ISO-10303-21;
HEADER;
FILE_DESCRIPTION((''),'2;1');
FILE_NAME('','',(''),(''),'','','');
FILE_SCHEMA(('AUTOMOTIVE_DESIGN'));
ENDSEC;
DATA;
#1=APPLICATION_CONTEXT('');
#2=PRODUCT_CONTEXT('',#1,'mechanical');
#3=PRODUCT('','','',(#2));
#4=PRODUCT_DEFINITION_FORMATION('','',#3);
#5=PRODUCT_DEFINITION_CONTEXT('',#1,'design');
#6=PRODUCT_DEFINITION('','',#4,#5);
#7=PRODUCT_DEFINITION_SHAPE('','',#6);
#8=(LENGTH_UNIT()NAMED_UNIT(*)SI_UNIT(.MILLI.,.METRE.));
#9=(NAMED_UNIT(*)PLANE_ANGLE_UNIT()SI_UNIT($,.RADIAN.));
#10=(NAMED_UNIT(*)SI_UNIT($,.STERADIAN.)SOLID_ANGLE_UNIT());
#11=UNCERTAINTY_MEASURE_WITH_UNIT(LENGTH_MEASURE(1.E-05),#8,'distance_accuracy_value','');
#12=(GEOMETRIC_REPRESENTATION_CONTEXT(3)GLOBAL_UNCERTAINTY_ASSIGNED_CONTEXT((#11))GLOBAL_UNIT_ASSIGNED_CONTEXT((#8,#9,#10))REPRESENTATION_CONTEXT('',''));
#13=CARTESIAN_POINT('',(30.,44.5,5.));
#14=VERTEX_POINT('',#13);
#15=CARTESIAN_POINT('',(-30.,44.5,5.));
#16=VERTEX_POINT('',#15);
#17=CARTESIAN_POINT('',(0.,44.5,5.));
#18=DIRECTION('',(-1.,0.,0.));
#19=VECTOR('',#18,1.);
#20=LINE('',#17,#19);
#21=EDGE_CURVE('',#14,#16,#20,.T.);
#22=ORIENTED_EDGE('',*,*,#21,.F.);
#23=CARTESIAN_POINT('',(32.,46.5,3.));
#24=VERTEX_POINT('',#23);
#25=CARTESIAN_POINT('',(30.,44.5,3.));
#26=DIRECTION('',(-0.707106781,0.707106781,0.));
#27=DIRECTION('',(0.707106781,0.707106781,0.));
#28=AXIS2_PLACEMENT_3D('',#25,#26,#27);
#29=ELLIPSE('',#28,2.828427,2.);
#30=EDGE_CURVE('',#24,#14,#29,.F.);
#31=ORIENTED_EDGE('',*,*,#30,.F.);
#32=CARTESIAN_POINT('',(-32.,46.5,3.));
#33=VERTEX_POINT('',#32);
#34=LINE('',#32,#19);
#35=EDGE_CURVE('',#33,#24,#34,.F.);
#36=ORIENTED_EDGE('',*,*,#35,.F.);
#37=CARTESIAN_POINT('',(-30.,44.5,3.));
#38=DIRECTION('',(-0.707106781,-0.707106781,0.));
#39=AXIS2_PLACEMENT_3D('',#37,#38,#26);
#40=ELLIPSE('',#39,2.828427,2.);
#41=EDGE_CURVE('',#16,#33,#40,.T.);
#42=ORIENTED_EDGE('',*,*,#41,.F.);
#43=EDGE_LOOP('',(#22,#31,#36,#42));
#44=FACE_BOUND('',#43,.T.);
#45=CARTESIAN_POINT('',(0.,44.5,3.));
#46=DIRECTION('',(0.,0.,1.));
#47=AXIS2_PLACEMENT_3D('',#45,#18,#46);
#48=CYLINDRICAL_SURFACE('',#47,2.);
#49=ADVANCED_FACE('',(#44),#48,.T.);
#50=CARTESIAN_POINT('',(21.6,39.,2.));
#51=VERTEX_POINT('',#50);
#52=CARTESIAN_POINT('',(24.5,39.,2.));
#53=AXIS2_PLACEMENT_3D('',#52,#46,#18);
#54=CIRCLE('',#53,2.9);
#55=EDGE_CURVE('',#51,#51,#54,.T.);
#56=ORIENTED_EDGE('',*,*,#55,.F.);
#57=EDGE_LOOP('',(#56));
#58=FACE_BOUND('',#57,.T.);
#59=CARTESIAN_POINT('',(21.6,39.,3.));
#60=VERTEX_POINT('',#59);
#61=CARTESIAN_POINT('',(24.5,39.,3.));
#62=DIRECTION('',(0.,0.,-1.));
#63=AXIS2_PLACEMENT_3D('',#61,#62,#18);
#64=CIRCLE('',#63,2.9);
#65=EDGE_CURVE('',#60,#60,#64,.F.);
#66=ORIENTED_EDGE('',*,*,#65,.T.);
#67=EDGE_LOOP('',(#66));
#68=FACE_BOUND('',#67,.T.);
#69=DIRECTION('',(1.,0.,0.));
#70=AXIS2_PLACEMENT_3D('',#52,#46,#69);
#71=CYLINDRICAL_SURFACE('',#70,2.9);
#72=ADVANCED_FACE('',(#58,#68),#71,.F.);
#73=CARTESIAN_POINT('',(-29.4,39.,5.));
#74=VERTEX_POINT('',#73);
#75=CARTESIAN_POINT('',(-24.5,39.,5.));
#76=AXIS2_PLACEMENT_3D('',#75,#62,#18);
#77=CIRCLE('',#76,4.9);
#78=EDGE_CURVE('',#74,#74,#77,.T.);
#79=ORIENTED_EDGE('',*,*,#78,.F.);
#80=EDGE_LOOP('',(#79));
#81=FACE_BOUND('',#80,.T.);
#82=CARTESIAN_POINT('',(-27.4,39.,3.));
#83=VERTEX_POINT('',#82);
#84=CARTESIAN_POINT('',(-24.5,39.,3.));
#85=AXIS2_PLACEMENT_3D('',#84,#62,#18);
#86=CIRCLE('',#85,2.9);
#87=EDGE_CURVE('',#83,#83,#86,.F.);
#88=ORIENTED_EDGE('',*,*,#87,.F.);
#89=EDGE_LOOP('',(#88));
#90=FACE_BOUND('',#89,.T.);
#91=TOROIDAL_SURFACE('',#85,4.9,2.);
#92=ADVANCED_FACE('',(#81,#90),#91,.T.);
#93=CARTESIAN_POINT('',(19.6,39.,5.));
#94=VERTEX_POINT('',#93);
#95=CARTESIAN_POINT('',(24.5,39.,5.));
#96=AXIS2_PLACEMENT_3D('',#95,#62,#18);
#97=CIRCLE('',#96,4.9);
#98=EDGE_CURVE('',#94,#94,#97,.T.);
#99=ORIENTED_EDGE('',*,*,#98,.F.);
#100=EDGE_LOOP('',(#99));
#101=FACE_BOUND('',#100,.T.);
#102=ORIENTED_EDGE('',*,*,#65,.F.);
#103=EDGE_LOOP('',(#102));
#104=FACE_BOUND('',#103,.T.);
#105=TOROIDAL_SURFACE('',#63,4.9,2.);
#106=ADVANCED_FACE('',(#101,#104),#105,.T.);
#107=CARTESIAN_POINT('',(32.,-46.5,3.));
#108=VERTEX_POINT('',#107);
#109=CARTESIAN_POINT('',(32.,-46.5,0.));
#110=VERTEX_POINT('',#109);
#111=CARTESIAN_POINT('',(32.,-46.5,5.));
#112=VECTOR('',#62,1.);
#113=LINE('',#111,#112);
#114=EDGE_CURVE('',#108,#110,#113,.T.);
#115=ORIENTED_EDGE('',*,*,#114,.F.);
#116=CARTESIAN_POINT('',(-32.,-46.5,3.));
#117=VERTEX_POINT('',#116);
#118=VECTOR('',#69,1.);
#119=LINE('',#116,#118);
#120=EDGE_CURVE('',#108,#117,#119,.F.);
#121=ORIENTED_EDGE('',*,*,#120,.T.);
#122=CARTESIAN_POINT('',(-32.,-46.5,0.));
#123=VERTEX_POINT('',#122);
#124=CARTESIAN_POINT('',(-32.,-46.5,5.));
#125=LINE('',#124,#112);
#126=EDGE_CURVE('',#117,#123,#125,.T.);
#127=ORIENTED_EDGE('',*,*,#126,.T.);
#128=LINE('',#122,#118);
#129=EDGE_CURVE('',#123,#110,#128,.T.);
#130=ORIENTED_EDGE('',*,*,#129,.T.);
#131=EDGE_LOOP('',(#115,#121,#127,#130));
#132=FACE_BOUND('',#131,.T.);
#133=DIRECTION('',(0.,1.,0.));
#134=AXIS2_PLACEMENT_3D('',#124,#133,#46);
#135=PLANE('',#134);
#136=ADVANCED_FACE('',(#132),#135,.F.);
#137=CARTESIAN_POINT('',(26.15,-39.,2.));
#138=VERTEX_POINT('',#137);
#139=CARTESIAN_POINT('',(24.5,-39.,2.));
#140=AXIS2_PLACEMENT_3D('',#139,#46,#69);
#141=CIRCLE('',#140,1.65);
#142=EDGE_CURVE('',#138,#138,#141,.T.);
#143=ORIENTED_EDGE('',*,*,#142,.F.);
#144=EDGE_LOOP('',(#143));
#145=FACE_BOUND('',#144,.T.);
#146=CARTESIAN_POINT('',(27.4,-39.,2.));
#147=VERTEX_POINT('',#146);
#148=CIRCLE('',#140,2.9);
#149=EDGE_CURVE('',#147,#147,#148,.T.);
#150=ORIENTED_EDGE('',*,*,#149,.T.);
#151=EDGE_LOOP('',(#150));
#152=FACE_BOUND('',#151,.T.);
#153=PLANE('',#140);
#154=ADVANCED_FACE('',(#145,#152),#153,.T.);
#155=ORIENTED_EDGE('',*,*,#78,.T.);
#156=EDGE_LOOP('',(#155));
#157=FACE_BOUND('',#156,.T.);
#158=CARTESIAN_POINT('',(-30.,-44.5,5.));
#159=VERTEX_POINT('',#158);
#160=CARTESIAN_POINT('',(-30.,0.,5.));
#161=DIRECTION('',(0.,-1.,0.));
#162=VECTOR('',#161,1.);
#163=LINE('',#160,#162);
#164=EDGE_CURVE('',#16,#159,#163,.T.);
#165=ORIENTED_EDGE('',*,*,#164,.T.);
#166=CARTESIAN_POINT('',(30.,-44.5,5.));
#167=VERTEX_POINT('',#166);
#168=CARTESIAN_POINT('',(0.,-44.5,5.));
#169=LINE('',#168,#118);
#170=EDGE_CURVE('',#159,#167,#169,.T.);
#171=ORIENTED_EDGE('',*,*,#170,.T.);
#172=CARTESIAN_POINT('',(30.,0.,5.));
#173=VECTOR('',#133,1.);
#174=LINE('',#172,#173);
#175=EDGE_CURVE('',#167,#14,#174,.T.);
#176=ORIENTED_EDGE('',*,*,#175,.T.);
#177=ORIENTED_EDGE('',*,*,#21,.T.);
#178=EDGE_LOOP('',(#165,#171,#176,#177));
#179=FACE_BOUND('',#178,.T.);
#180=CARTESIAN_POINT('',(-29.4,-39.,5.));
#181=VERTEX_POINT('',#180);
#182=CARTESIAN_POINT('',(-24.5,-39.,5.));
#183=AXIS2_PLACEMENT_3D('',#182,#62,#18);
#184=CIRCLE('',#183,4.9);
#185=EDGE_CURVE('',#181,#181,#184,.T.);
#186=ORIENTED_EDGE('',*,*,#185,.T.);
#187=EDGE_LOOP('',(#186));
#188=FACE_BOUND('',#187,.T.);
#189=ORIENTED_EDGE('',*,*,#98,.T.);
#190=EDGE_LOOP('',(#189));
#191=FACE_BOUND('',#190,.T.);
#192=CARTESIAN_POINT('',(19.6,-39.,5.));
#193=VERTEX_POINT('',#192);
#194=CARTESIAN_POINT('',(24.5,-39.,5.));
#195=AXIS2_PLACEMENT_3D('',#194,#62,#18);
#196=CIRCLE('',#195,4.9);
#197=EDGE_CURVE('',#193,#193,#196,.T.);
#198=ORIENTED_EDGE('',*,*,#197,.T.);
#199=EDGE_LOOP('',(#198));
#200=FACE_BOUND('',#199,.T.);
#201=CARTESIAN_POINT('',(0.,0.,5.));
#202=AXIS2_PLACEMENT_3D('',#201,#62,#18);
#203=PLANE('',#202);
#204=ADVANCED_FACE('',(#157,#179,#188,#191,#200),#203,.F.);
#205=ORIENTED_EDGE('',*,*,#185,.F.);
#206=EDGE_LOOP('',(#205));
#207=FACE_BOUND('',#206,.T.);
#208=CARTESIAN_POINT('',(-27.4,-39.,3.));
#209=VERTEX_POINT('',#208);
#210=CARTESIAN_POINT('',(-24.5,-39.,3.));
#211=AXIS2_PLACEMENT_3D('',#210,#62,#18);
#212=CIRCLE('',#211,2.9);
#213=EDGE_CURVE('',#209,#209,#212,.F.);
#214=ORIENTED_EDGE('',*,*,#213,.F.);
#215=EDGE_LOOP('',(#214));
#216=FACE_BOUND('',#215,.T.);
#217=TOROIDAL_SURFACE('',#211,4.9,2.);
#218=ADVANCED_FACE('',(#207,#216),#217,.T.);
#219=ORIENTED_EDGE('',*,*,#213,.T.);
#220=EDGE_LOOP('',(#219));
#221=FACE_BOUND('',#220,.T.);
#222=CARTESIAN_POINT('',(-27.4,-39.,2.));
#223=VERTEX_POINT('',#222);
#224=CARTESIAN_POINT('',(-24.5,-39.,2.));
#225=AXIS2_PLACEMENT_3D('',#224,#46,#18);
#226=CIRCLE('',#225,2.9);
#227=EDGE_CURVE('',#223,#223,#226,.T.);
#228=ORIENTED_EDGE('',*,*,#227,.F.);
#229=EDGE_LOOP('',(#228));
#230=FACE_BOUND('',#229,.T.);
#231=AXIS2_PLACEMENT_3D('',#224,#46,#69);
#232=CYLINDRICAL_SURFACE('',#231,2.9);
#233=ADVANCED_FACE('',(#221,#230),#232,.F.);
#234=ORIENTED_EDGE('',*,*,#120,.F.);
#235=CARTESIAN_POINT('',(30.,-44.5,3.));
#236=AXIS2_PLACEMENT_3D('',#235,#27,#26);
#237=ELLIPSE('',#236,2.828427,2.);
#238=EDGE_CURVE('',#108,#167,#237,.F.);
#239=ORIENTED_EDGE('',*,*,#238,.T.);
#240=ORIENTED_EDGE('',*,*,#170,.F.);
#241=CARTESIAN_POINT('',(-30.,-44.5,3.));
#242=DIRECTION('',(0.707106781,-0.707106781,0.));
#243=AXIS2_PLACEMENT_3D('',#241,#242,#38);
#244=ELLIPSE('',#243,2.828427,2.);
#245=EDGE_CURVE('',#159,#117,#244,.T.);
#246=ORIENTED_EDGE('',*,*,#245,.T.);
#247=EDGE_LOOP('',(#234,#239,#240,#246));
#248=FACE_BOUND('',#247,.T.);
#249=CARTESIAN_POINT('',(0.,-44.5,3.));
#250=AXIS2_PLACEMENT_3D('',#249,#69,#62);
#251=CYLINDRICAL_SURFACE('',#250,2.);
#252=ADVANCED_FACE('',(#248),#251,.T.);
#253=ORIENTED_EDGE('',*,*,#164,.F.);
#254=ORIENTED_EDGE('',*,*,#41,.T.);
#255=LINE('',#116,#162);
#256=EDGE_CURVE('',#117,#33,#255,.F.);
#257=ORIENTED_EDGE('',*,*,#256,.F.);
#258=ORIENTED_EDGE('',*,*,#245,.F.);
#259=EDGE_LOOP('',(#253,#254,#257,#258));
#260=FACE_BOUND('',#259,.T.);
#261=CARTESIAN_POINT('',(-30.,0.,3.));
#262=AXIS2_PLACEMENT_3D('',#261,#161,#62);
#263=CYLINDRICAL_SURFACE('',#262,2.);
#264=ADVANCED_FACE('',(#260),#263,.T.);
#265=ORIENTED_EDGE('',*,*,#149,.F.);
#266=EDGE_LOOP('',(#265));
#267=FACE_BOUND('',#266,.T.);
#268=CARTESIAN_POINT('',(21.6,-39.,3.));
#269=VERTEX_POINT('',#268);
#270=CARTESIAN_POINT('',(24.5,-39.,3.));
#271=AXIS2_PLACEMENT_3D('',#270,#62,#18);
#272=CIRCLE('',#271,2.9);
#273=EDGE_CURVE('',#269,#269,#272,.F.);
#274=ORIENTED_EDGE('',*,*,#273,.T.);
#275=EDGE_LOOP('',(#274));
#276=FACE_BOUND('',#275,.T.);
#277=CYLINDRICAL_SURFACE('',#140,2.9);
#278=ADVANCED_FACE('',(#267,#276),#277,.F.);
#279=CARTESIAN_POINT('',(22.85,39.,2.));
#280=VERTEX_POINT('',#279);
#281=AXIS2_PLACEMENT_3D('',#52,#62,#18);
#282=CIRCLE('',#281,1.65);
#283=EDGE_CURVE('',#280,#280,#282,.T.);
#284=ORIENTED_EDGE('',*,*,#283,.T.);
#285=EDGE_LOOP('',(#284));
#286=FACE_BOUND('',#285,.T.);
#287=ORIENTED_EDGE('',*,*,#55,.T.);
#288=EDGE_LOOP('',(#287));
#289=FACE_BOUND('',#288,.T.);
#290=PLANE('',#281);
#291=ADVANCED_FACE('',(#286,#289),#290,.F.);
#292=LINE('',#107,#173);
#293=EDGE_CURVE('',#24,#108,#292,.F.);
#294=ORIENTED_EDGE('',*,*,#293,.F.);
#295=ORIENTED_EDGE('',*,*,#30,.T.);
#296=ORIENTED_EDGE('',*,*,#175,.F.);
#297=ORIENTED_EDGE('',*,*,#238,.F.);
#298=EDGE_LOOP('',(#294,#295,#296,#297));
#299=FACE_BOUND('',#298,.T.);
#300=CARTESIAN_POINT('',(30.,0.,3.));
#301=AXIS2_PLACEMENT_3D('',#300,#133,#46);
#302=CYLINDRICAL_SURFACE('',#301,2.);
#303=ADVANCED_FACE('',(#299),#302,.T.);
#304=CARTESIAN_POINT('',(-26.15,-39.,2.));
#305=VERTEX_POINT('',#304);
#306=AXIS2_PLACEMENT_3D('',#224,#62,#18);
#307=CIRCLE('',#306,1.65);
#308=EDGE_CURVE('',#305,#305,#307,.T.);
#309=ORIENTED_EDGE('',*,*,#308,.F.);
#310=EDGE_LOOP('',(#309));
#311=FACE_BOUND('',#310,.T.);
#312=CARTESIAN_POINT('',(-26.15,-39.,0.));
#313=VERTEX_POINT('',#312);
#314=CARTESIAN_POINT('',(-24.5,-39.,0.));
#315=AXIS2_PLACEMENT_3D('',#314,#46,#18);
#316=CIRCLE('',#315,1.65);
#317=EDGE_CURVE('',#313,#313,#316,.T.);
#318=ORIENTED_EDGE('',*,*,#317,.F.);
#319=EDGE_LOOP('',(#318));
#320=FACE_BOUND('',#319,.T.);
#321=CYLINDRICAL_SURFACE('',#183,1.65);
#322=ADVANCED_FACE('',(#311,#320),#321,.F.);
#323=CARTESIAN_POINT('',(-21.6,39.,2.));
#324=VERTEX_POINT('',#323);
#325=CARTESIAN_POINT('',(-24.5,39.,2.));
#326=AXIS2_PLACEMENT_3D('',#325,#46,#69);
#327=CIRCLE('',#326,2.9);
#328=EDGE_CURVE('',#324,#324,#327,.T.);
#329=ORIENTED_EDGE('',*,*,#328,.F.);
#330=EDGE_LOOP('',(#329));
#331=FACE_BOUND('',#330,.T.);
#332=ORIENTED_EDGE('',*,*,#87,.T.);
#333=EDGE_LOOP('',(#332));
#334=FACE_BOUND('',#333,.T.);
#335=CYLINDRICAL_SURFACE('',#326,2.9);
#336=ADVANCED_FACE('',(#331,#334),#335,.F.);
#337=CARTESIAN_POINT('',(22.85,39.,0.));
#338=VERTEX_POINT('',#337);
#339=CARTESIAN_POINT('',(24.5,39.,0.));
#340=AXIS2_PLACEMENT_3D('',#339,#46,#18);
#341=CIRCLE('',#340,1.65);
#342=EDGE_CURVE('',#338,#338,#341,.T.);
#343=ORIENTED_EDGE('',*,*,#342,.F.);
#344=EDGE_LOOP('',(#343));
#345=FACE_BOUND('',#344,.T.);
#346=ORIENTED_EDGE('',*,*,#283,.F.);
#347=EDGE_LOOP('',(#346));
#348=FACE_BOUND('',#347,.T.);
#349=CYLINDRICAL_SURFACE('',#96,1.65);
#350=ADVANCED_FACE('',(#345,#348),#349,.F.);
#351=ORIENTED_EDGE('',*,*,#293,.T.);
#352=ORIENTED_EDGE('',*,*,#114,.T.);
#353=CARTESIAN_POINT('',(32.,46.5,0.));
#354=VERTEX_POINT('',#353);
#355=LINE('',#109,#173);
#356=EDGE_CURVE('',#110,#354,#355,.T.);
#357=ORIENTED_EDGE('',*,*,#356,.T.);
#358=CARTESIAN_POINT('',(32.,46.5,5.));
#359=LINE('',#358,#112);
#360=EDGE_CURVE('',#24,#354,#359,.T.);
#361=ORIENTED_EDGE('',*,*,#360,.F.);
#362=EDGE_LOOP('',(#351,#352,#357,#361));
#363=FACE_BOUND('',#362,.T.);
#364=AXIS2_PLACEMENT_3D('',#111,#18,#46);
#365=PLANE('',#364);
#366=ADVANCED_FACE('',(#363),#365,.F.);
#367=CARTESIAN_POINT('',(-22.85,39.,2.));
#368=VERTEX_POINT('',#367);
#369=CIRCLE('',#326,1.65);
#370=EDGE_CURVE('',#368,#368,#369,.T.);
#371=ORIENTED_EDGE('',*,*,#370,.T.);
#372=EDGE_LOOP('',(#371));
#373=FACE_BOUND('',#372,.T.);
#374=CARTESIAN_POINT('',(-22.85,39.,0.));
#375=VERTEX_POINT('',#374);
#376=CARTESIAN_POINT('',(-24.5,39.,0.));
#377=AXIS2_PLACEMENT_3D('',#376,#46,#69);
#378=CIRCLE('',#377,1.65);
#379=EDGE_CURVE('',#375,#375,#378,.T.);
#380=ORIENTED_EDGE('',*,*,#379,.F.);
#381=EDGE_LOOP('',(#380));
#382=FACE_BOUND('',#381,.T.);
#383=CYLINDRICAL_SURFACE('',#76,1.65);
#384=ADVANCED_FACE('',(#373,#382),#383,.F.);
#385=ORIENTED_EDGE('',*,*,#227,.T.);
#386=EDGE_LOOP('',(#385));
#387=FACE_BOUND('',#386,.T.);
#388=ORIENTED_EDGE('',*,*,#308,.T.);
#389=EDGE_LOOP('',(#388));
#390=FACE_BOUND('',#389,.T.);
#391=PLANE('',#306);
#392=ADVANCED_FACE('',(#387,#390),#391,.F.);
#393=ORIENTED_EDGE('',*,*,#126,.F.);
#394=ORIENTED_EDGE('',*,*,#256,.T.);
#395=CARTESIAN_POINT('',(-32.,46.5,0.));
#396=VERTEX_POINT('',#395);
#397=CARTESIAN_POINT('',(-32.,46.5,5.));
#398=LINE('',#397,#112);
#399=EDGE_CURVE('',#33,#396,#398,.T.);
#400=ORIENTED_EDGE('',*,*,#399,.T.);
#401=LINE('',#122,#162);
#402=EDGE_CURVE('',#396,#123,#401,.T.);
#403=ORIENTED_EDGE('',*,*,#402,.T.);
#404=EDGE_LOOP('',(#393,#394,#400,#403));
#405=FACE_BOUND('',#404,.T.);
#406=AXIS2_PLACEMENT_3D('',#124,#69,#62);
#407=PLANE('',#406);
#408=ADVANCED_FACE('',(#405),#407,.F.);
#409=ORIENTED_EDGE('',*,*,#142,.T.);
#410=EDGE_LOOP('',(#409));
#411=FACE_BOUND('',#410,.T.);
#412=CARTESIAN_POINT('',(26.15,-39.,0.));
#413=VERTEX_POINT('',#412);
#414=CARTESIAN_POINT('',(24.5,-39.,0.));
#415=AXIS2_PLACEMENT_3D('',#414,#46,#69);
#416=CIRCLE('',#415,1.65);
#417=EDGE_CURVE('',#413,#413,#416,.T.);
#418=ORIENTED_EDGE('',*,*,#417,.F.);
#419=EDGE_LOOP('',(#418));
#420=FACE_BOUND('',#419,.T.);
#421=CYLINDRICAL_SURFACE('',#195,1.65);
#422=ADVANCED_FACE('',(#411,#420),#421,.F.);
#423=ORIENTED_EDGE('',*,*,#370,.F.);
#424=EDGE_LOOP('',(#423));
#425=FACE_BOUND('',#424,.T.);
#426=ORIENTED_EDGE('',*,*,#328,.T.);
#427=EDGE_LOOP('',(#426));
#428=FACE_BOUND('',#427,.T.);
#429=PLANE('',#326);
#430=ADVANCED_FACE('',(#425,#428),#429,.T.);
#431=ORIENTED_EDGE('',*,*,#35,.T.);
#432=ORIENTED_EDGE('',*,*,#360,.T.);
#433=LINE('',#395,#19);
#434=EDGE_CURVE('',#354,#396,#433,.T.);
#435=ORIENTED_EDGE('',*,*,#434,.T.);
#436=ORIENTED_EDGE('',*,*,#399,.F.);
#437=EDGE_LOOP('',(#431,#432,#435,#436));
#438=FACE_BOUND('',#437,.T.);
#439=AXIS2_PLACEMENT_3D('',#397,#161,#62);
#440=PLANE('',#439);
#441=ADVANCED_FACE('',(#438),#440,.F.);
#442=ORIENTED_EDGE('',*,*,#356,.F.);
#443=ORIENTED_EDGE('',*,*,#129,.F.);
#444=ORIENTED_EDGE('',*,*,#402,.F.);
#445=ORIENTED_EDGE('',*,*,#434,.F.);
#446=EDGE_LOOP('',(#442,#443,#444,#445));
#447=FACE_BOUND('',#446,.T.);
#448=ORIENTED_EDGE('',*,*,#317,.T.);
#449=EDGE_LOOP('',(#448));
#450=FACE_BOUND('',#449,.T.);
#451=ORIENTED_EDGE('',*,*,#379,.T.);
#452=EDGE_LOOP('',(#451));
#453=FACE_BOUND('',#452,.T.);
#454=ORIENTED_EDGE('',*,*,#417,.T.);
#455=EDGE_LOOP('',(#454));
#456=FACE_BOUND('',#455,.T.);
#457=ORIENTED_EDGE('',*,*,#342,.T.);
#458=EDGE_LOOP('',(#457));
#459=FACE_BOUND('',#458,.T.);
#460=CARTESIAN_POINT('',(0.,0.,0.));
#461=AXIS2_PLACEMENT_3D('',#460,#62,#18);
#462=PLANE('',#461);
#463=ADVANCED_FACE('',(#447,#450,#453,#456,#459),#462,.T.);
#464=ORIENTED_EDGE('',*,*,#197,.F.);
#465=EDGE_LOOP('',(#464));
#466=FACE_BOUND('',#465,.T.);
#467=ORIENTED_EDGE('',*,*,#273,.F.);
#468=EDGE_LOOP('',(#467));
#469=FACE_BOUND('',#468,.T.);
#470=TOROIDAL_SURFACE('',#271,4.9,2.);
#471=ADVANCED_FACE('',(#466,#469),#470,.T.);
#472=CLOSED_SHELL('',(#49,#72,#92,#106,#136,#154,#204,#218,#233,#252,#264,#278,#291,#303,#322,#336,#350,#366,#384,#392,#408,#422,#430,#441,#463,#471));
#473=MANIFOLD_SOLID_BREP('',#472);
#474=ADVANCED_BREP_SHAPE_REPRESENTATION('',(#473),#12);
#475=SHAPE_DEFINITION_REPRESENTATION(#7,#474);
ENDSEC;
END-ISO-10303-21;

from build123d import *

# Parameters (mm, degrees)
SKIZZE1_W                       = 64
SKIZZE1_H                       = 93
SKIZZE1_R                       = 1.65
AUFSATZ_LINEAR_AUSTRAGEN2_DEPTH = 5
SKIZZE2_R                       = 2.9
SCHNITT_LINEAR_AUSTRAGEN1_DEPTH = 3
VERRUNDUNG1_R                   = 2


with BuildPart() as part:
    # Skizze1 → Aufsatz-Linear austragen2 (new body)
    with BuildSketch(Plane.XY):
        Rectangle(SKIZZE1_W, SKIZZE1_H)
        with Locations((-24.5, 39)):
            Circle(SKIZZE1_R, mode=Mode.SUBTRACT)
        with Locations(Location((24.5, 39, 0), (0, 0, 180))):
            Circle(SKIZZE1_R, mode=Mode.SUBTRACT)
        with Locations((24.5, -39)):
            Circle(SKIZZE1_R, mode=Mode.SUBTRACT)
        with Locations(Location((-24.5, -39, 0), (0, 0, 180))):
            Circle(SKIZZE1_R, mode=Mode.SUBTRACT)
    extrude(amount=AUFSATZ_LINEAR_AUSTRAGEN2_DEPTH)

    # Skizze2 → Schnitt-Linear austragen1 (cut)
    with BuildSketch(Plane.XY.offset(5)):
        with Locations((-24.5, 39)):
            Circle(SKIZZE2_R)
        with Locations(Location((24.5, 39, 0), (0, 0, 180))):
            Circle(SKIZZE2_R)
        with Locations((24.5, -39)):
            Circle(SKIZZE2_R)
        with Locations(Location((-24.5, -39, 0), (0, 0, 180))):
            Circle(SKIZZE2_R)
    extrude(amount=-SCHNITT_LINEAR_AUSTRAGEN1_DEPTH, mode=Mode.SUBTRACT)

    # Verrundung1
    verrundung1_edges = [part.edges().sort_by_distance(p)[0] for p in [
        (-32, 0, 5),
        (0, -46.5, 5),
        (-21.6, -39, 5),
        (21.6, -39, 5),
        (27.4, 39, 5),
        (-27.4, 39, 5),
        (32, 0, 5),
        (0, 46.5, 5),
    ]]
    fillet(verrundung1_edges, radius=VERRUNDUNG1_R)


solid = part.part
